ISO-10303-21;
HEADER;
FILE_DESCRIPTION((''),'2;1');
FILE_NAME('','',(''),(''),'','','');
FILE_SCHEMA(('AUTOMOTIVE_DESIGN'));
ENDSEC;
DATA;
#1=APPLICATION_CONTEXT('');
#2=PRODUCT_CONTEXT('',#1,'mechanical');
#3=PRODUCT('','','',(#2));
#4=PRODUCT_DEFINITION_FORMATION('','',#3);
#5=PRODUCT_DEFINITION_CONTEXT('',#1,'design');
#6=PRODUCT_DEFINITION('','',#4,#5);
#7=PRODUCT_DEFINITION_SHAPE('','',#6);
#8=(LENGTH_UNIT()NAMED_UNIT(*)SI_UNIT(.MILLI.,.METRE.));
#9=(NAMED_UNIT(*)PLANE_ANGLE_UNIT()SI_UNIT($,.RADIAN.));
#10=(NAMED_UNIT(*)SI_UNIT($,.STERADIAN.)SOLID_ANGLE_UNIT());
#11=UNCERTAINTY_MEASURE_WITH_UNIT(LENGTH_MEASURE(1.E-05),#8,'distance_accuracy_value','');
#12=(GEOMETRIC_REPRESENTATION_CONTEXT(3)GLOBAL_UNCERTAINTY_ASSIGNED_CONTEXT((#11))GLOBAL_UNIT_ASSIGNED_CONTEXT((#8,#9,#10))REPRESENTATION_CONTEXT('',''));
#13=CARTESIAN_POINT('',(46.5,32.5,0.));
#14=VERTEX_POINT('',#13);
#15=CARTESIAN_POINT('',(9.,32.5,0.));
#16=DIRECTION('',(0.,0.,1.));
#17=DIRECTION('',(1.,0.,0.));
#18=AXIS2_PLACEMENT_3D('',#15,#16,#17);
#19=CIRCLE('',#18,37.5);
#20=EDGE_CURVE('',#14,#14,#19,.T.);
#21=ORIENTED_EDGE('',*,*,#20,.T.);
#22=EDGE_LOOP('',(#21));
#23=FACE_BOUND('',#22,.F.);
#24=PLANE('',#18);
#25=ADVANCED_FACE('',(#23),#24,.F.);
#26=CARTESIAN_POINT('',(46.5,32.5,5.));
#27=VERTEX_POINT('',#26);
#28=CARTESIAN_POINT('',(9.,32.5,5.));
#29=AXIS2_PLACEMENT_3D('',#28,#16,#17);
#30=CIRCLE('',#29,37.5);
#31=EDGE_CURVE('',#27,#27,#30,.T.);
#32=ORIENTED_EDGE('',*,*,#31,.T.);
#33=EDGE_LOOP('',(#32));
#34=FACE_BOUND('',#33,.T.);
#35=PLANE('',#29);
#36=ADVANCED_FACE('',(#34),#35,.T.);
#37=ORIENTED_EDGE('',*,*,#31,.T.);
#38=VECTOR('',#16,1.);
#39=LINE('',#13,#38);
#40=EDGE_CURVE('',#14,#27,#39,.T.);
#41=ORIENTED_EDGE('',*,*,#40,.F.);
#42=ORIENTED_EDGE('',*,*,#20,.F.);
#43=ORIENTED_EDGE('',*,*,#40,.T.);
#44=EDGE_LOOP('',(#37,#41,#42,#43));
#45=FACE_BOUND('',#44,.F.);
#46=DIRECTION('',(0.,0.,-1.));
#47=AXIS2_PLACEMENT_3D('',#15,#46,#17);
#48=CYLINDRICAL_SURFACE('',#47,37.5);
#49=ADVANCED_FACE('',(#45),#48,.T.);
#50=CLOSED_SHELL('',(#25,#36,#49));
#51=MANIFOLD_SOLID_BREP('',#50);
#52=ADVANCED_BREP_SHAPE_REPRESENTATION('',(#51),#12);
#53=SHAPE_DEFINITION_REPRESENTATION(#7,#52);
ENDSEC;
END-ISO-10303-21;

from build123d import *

# Parameters (mm, degrees)
F0_R     = 37.5
F0_W     = 18
F0_H     = 65
F1_DEPTH = 5


with BuildPart() as f1:
    # F0 (on Top) → F1 (new body)
    with BuildSketch(Plane.XY):
        with Locations((9, 32.5)):
            Circle(F0_R)
        with Locations((9, 32.5)):
            Rectangle(F0_W, F0_H, mode=Mode.SUBTRACT)
        Polygon((18, 65), (0, 65), (9, 32.5), align=None)
        Polygon((9, 32.5), (18, 0), (18, 65), align=None)
        Polygon((9, 32.5), (0, 0), (18, 0), align=None)
        Polygon((0, 65), (0, 0), (9, 32.5), align=None)
    extrude(amount=F1_DEPTH)


solid = f1.part
